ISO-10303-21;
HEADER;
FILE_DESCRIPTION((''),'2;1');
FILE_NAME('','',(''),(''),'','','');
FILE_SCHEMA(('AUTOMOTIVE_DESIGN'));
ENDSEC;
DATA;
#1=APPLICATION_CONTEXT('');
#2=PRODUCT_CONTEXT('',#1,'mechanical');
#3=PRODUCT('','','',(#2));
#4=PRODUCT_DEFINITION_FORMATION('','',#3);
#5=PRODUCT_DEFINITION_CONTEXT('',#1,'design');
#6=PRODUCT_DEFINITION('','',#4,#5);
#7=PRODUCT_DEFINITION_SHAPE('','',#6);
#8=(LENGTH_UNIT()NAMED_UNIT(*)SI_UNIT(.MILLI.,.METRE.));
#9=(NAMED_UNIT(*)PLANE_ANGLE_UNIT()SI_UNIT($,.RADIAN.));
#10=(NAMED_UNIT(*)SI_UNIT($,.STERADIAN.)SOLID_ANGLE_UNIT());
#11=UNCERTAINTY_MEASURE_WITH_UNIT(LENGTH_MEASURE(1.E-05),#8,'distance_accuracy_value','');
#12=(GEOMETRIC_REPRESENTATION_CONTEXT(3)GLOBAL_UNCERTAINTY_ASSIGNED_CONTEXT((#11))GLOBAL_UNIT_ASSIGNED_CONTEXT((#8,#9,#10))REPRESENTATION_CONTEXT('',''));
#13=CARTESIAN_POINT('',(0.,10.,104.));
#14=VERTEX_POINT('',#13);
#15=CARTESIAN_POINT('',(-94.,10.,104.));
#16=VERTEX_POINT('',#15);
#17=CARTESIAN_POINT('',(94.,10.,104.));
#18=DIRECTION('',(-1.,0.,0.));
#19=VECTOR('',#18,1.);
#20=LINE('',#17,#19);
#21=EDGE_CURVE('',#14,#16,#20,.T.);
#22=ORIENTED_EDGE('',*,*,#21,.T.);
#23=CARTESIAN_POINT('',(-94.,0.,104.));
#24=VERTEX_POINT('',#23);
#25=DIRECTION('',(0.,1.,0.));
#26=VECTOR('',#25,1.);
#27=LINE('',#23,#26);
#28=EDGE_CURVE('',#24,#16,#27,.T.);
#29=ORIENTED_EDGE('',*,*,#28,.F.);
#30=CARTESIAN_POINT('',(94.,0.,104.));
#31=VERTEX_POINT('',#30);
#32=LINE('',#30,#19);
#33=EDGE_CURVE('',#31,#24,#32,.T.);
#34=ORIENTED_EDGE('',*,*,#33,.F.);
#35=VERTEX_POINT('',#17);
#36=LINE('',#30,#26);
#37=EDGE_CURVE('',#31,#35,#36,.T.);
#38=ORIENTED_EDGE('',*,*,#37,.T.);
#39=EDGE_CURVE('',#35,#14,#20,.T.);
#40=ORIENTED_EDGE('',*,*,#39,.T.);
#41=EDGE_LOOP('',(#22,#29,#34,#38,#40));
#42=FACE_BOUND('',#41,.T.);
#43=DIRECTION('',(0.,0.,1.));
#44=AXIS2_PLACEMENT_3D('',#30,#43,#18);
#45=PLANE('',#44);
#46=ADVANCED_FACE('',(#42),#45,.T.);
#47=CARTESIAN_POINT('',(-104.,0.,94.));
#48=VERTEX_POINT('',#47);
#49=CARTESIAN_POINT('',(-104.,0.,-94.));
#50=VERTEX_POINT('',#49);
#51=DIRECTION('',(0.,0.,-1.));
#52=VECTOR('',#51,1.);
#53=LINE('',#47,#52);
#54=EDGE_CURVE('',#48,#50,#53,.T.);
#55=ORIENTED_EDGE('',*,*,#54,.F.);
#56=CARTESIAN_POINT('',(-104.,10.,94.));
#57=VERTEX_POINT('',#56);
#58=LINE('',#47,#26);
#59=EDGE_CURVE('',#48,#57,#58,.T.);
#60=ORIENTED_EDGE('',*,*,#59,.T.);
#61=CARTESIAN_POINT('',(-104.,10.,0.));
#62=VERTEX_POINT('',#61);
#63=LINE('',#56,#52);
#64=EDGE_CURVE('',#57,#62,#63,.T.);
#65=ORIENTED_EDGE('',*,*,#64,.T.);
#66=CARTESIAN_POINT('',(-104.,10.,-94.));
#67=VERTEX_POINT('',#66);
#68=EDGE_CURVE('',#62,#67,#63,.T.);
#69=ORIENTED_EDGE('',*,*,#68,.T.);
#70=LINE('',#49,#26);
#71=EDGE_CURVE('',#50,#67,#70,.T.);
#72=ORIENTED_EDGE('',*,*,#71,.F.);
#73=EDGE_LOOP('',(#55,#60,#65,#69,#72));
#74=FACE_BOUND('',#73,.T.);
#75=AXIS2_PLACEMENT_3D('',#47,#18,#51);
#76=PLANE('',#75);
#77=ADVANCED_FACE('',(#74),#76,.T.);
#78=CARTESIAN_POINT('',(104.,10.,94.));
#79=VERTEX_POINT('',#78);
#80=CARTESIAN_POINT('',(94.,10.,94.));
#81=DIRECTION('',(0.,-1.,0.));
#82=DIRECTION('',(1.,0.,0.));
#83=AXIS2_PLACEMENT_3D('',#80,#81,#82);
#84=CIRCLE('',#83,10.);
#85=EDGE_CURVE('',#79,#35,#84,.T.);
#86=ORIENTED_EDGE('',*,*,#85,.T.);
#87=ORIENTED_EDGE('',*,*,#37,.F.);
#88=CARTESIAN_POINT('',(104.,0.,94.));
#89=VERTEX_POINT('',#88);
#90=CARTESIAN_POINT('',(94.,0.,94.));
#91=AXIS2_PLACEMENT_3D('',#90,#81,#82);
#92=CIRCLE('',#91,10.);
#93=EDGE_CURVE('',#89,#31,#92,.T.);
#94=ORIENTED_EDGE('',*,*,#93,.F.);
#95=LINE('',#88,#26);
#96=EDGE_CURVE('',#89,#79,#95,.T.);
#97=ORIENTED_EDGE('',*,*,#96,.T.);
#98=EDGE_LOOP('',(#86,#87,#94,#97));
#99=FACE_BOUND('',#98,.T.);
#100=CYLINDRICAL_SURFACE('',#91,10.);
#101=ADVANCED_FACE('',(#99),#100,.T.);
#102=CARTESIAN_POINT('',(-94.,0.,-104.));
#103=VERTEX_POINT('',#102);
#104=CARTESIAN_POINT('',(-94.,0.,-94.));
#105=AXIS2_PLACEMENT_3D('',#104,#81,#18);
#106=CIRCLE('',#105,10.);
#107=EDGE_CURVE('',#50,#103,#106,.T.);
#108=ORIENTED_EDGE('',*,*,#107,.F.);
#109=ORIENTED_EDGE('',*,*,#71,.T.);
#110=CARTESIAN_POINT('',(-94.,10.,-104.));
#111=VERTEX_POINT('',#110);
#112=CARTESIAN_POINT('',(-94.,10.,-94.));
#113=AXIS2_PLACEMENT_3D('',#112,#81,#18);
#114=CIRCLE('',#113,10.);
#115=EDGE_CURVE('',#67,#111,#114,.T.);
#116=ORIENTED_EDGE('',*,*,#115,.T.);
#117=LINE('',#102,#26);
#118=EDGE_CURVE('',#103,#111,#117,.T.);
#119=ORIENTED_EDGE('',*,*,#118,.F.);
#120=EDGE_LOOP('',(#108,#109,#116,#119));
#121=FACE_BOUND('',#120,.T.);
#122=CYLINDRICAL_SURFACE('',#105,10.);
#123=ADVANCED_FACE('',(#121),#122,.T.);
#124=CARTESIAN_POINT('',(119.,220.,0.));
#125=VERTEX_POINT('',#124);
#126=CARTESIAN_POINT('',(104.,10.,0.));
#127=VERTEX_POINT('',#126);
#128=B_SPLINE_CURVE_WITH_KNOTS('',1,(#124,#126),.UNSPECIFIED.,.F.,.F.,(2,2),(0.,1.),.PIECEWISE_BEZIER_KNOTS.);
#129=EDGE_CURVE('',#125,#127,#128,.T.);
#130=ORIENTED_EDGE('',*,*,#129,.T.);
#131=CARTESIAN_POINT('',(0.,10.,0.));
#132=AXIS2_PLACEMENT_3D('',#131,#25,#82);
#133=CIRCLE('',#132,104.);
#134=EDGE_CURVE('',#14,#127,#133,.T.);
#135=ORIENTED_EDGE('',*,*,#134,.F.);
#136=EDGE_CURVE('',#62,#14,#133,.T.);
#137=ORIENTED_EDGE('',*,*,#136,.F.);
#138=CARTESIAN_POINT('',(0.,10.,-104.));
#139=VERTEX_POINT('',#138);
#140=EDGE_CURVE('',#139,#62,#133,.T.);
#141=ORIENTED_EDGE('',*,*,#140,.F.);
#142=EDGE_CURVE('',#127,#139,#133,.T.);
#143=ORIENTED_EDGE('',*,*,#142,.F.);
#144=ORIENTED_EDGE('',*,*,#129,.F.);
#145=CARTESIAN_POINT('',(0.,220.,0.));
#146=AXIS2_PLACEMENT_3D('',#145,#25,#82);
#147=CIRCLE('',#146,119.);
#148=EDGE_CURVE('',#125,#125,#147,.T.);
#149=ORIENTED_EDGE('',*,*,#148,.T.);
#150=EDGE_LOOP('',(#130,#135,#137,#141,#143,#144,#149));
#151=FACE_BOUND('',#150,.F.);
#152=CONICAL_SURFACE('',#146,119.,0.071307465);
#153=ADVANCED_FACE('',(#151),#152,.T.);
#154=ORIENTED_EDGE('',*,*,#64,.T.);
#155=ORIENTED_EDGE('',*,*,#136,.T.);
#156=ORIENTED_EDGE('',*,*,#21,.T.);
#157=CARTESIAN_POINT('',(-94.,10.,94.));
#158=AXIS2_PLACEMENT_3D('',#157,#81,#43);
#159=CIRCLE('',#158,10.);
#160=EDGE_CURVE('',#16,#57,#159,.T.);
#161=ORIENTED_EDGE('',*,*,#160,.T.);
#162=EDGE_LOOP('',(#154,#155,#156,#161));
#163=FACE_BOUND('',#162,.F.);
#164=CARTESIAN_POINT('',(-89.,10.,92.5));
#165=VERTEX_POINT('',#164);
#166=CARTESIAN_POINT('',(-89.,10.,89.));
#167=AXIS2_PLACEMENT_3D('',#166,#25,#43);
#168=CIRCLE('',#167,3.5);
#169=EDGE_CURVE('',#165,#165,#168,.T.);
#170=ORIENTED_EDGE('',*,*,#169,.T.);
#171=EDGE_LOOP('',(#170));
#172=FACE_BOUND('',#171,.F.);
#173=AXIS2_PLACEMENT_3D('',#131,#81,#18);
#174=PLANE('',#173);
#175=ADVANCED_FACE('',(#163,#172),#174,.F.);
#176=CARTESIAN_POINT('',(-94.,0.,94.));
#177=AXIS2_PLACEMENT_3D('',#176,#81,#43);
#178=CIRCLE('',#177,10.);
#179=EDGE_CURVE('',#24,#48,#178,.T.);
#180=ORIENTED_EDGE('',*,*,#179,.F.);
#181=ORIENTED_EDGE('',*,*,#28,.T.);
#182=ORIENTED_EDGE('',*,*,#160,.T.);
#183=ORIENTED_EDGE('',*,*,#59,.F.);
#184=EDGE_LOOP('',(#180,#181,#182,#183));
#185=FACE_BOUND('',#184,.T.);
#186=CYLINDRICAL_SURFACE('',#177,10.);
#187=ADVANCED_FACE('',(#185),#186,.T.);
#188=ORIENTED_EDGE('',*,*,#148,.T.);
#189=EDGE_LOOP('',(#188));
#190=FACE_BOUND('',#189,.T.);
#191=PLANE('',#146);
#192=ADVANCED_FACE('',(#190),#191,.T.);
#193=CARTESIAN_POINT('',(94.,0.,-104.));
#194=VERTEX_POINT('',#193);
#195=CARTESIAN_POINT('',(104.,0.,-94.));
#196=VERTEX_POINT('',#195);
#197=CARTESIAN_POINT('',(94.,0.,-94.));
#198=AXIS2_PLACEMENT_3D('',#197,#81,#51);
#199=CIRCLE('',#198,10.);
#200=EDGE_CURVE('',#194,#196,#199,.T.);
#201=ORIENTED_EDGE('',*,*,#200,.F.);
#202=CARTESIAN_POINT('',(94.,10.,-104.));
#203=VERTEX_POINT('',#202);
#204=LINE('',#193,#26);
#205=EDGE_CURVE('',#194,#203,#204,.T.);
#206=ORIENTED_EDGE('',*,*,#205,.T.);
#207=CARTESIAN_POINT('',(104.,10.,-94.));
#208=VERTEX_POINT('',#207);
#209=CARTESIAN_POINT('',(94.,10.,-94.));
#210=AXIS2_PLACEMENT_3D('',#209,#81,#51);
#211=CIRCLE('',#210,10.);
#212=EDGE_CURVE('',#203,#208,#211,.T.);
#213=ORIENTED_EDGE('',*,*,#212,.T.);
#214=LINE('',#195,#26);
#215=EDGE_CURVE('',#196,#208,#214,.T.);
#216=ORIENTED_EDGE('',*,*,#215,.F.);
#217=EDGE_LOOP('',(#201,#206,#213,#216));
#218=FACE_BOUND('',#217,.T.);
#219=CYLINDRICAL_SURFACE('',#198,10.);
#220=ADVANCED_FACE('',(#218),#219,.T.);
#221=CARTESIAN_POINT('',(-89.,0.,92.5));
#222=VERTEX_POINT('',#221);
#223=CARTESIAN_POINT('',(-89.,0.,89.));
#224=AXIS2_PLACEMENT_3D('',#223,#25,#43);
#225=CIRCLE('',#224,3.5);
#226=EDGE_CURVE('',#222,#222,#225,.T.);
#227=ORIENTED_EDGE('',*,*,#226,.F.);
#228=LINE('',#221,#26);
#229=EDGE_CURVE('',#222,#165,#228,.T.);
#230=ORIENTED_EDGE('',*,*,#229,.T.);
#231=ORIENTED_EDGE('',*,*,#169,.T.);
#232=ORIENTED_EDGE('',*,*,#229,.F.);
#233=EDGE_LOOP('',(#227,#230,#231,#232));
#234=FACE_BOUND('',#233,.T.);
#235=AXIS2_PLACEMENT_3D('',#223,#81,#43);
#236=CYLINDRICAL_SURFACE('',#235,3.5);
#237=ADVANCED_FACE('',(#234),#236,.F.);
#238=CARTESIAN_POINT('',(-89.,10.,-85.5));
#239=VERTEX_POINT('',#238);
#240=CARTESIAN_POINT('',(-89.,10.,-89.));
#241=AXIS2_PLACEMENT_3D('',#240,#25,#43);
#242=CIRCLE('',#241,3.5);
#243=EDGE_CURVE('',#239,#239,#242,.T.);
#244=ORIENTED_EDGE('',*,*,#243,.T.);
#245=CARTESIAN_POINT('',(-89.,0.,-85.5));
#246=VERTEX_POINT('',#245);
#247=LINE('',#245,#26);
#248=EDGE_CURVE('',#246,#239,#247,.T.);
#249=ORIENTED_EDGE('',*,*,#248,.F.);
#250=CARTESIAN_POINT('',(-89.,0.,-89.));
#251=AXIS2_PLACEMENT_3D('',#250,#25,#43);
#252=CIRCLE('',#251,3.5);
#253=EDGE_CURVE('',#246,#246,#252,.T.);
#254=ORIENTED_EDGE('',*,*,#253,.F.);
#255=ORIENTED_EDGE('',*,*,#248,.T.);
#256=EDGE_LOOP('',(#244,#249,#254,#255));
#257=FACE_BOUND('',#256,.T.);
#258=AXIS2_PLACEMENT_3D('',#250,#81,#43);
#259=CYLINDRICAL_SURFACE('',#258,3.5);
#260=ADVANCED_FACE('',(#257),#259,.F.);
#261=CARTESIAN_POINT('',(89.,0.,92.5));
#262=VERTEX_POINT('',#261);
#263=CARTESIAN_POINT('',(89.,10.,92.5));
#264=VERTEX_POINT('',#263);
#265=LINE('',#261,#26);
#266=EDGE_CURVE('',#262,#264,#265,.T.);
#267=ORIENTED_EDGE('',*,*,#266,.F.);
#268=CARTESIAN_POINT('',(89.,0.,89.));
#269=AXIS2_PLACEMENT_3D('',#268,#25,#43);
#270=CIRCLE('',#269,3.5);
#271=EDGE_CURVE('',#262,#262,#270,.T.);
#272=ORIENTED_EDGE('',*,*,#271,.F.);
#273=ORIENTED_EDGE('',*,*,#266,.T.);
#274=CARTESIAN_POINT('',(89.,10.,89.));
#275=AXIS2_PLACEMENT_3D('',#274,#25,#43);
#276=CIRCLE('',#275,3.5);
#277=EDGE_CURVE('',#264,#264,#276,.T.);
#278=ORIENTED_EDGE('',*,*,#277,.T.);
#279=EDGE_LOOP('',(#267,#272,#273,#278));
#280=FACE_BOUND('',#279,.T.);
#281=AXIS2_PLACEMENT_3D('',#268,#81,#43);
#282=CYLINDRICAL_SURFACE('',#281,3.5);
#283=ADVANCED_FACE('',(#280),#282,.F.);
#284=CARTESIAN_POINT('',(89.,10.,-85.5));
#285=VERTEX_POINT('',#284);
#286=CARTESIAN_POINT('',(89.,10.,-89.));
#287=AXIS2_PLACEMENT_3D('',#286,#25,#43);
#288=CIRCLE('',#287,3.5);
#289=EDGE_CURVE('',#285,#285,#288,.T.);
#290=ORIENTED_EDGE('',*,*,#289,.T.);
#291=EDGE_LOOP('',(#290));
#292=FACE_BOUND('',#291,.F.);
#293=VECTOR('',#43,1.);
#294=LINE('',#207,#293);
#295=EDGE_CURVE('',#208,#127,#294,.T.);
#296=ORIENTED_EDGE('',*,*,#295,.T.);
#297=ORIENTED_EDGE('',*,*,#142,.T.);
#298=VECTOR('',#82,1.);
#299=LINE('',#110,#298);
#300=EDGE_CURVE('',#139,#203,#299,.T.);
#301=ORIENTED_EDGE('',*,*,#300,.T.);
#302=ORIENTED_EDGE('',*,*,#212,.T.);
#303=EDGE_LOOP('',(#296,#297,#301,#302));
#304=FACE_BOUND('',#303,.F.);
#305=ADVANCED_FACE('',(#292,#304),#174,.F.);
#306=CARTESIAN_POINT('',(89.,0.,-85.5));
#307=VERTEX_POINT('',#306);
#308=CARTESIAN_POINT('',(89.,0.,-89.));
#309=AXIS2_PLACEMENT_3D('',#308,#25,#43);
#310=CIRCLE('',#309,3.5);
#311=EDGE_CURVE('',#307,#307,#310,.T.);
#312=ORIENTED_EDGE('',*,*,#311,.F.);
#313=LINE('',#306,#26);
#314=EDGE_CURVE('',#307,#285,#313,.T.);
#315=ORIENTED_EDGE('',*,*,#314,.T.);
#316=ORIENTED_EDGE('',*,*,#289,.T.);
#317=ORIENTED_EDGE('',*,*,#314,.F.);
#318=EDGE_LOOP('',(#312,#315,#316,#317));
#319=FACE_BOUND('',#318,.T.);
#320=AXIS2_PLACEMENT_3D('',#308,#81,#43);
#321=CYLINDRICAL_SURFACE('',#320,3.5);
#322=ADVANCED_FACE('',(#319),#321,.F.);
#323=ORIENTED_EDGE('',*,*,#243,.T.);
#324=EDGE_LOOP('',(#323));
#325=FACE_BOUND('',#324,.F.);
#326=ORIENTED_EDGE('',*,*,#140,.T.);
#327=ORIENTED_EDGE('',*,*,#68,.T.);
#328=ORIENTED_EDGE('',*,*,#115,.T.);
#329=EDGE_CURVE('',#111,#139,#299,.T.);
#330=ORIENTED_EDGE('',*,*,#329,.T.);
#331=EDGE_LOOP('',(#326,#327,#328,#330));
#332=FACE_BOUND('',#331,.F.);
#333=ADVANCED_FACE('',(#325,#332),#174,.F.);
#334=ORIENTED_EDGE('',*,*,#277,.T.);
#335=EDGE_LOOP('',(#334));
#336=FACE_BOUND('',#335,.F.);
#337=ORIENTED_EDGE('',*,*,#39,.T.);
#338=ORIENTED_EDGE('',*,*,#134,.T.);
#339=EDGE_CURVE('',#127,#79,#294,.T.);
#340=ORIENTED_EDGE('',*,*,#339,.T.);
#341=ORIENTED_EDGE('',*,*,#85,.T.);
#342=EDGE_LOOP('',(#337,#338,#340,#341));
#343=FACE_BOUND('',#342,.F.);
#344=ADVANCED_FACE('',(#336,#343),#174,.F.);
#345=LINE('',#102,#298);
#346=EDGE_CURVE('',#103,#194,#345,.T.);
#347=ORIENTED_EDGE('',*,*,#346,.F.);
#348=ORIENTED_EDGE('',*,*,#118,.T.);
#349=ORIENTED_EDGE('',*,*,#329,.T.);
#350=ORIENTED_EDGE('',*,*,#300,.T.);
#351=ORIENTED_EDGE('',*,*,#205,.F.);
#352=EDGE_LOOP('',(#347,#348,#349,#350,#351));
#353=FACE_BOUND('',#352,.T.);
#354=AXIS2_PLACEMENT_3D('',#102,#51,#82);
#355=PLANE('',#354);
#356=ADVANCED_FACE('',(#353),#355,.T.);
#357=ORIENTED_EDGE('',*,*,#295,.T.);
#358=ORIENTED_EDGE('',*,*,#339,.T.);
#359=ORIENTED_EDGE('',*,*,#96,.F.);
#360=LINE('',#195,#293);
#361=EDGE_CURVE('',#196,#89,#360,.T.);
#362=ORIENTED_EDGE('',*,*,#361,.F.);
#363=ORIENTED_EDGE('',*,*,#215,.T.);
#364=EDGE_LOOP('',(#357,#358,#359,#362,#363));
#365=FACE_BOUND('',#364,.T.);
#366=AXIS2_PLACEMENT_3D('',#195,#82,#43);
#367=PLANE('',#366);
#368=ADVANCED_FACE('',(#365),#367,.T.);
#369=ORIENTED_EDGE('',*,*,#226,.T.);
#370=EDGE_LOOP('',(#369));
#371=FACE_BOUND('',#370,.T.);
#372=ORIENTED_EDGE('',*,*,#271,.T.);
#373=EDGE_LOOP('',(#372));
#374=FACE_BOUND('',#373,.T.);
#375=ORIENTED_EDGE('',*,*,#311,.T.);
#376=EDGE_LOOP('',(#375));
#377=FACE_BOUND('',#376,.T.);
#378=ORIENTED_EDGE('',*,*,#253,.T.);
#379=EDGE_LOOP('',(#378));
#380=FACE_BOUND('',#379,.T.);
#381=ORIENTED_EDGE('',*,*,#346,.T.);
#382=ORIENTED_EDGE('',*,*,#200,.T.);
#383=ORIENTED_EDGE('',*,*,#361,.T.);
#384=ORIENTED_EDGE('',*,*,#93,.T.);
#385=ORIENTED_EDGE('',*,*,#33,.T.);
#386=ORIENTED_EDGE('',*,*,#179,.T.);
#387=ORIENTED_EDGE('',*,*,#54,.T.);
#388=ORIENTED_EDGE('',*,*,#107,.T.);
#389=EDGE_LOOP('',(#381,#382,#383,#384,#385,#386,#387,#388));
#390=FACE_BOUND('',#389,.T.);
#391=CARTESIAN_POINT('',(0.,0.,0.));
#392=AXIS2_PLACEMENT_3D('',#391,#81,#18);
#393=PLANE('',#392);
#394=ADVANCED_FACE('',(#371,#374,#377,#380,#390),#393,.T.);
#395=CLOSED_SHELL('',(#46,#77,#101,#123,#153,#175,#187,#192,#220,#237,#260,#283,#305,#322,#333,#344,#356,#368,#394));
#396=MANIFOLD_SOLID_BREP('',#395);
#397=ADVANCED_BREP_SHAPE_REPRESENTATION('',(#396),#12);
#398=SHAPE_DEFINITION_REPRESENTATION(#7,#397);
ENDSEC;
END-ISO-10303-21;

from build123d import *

# Parameters (mm, degrees)
SKETCH2_R           = 3.5
BOSS_EXTRUDE1_DEPTH = 10
SKETCH4_R           = 119
SKETCH3_R           = 104


with BuildPart() as part:
    # Sketch2 → Boss-Extrude1 (new body)
    with BuildSketch(Plane(origin=(0, 0, 0), x_dir=(1, 0, 0), z_dir=(0, 1, 0))):
        with BuildLine():
            Line((-94, 104), (94, 104))
            ThreePointArc((94, 104), (101.071067812, 101.071067812), (104, 94))
            Line((104, 94), (104, -94))
            ThreePointArc((104, -94), (101.071067812, -101.071067812), (94, -104))
            Line((94, -104), (-94, -104))
            ThreePointArc((-94, -104), (-101.071067812, -101.071067812), (-104, -94))
            Line((-104, -94), (-104, 94))
            ThreePointArc((-104, 94), (-101.071067812, 101.071067812), (-94, 104))
        make_face()
        with Locations(Location((-89, 89, 0), (0, 0, 270))):
            Circle(SKETCH2_R, mode=Mode.SUBTRACT)
        with Locations(Location((89, 89, 0), (0, 0, 270))):
            Circle(SKETCH2_R, mode=Mode.SUBTRACT)
        with Locations(Location((89, -89, 0), (0, 0, 270))):
            Circle(SKETCH2_R, mode=Mode.SUBTRACT)
        with Locations(Location((-89, -89, 0), (0, 0, 270))):
            Circle(SKETCH2_R, mode=Mode.SUBTRACT)
    extrude(amount=BOSS_EXTRUDE1_DEPTH)

    # Sketch4 → Loft1 section 0
    with BuildSketch(Plane(origin=(0, 220, 0), x_dir=(1, 0, 0), z_dir=(0, 1, 0))):
        Circle(SKETCH4_R)
    # Sketch3 → Loft1 section 1
    with BuildSketch(Plane(origin=(0, 10, 0), x_dir=(1, 0, 0), z_dir=(0, 1, 0))):
        Circle(SKETCH3_R)
    loft()


solid = part.part
